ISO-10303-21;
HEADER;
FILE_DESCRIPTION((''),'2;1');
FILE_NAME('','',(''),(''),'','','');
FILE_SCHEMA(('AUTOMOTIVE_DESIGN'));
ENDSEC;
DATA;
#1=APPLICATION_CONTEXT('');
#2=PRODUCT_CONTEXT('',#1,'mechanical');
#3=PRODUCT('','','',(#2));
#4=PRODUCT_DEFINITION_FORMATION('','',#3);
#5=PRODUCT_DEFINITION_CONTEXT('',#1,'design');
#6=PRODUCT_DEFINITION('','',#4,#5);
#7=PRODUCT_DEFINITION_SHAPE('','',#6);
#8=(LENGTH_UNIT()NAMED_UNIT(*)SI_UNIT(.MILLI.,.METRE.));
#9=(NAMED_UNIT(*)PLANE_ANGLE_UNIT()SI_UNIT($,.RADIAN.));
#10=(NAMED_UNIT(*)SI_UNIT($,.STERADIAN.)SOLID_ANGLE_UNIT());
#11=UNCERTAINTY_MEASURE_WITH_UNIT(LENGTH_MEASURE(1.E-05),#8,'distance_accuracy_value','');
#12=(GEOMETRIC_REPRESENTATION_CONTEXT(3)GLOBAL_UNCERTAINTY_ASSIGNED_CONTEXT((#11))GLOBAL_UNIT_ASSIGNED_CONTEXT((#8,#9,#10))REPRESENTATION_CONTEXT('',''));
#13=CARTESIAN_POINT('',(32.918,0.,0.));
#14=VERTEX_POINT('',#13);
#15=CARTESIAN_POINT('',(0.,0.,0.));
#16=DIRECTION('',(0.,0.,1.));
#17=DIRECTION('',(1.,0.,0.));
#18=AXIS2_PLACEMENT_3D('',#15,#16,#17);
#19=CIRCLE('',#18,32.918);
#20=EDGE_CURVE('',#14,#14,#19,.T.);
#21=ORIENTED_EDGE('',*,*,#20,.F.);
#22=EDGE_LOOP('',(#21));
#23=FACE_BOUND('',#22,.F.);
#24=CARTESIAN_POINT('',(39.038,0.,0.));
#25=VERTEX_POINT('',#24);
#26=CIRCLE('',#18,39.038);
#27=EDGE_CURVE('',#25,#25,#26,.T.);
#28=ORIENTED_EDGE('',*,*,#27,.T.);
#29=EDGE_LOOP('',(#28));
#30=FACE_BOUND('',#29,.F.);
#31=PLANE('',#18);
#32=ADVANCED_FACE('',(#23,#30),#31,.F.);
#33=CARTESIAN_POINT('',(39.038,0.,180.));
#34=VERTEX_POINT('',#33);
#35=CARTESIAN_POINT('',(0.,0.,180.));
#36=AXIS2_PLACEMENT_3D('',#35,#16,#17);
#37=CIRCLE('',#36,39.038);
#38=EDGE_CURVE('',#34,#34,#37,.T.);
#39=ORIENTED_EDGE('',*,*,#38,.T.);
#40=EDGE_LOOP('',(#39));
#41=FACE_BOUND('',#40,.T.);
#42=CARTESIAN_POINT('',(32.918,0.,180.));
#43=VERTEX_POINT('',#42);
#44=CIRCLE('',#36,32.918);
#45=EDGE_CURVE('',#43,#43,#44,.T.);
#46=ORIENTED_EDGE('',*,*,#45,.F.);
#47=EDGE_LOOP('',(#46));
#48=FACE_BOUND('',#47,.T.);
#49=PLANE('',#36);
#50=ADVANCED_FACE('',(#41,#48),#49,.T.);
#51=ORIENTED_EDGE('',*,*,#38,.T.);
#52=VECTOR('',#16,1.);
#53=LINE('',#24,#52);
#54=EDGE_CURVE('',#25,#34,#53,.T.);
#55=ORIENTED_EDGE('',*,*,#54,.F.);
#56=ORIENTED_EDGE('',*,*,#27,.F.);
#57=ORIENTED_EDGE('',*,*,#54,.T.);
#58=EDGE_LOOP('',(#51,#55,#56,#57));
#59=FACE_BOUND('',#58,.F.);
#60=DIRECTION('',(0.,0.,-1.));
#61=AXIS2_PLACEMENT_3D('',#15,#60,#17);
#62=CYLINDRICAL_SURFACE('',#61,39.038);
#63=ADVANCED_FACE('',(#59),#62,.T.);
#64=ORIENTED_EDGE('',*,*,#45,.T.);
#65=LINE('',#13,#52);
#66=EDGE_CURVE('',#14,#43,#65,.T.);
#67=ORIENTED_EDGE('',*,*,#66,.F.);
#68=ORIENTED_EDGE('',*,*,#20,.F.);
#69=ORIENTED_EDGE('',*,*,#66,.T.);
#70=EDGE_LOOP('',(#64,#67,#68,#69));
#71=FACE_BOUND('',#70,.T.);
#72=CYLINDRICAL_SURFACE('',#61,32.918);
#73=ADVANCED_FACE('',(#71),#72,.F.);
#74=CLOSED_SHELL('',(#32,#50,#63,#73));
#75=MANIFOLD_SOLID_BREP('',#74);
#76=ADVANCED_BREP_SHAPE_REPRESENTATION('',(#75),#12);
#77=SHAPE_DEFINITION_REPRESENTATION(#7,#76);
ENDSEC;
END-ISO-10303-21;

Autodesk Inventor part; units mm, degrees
ref_plane "YZ Plane" through (0, 0, 0) normal (1, 0, 0) x (0, 1, 0)
ref_plane "XZ Plane" through (0, 0, 0) normal (0, 1, 0) x (-1, 0, 0)
ref_plane "XY Plane" through (0, 0, 0) normal (0, 0, 1) x (1, 0, 0)
sketch "Sketch1" plane through (0, 0, 0) normal (0, 0, 1) x (1, 0, 0)
  circle A0 centre (0, 0) radius 39.038
  circle A1 centre (0, 0) radius 32.918
  dimension "d0" = 78.076
  dimension "d1" = 65.836
extrude "Extrusion1" add sketch "Sketch1" along normal blind 180
thread "Thread1" size "M16x2" class "6g" standard "ANSI Metric M Profile" full length
properties part number "4111_Bias_Coil_Layer2_MPSv2_v2" material "Copper"
